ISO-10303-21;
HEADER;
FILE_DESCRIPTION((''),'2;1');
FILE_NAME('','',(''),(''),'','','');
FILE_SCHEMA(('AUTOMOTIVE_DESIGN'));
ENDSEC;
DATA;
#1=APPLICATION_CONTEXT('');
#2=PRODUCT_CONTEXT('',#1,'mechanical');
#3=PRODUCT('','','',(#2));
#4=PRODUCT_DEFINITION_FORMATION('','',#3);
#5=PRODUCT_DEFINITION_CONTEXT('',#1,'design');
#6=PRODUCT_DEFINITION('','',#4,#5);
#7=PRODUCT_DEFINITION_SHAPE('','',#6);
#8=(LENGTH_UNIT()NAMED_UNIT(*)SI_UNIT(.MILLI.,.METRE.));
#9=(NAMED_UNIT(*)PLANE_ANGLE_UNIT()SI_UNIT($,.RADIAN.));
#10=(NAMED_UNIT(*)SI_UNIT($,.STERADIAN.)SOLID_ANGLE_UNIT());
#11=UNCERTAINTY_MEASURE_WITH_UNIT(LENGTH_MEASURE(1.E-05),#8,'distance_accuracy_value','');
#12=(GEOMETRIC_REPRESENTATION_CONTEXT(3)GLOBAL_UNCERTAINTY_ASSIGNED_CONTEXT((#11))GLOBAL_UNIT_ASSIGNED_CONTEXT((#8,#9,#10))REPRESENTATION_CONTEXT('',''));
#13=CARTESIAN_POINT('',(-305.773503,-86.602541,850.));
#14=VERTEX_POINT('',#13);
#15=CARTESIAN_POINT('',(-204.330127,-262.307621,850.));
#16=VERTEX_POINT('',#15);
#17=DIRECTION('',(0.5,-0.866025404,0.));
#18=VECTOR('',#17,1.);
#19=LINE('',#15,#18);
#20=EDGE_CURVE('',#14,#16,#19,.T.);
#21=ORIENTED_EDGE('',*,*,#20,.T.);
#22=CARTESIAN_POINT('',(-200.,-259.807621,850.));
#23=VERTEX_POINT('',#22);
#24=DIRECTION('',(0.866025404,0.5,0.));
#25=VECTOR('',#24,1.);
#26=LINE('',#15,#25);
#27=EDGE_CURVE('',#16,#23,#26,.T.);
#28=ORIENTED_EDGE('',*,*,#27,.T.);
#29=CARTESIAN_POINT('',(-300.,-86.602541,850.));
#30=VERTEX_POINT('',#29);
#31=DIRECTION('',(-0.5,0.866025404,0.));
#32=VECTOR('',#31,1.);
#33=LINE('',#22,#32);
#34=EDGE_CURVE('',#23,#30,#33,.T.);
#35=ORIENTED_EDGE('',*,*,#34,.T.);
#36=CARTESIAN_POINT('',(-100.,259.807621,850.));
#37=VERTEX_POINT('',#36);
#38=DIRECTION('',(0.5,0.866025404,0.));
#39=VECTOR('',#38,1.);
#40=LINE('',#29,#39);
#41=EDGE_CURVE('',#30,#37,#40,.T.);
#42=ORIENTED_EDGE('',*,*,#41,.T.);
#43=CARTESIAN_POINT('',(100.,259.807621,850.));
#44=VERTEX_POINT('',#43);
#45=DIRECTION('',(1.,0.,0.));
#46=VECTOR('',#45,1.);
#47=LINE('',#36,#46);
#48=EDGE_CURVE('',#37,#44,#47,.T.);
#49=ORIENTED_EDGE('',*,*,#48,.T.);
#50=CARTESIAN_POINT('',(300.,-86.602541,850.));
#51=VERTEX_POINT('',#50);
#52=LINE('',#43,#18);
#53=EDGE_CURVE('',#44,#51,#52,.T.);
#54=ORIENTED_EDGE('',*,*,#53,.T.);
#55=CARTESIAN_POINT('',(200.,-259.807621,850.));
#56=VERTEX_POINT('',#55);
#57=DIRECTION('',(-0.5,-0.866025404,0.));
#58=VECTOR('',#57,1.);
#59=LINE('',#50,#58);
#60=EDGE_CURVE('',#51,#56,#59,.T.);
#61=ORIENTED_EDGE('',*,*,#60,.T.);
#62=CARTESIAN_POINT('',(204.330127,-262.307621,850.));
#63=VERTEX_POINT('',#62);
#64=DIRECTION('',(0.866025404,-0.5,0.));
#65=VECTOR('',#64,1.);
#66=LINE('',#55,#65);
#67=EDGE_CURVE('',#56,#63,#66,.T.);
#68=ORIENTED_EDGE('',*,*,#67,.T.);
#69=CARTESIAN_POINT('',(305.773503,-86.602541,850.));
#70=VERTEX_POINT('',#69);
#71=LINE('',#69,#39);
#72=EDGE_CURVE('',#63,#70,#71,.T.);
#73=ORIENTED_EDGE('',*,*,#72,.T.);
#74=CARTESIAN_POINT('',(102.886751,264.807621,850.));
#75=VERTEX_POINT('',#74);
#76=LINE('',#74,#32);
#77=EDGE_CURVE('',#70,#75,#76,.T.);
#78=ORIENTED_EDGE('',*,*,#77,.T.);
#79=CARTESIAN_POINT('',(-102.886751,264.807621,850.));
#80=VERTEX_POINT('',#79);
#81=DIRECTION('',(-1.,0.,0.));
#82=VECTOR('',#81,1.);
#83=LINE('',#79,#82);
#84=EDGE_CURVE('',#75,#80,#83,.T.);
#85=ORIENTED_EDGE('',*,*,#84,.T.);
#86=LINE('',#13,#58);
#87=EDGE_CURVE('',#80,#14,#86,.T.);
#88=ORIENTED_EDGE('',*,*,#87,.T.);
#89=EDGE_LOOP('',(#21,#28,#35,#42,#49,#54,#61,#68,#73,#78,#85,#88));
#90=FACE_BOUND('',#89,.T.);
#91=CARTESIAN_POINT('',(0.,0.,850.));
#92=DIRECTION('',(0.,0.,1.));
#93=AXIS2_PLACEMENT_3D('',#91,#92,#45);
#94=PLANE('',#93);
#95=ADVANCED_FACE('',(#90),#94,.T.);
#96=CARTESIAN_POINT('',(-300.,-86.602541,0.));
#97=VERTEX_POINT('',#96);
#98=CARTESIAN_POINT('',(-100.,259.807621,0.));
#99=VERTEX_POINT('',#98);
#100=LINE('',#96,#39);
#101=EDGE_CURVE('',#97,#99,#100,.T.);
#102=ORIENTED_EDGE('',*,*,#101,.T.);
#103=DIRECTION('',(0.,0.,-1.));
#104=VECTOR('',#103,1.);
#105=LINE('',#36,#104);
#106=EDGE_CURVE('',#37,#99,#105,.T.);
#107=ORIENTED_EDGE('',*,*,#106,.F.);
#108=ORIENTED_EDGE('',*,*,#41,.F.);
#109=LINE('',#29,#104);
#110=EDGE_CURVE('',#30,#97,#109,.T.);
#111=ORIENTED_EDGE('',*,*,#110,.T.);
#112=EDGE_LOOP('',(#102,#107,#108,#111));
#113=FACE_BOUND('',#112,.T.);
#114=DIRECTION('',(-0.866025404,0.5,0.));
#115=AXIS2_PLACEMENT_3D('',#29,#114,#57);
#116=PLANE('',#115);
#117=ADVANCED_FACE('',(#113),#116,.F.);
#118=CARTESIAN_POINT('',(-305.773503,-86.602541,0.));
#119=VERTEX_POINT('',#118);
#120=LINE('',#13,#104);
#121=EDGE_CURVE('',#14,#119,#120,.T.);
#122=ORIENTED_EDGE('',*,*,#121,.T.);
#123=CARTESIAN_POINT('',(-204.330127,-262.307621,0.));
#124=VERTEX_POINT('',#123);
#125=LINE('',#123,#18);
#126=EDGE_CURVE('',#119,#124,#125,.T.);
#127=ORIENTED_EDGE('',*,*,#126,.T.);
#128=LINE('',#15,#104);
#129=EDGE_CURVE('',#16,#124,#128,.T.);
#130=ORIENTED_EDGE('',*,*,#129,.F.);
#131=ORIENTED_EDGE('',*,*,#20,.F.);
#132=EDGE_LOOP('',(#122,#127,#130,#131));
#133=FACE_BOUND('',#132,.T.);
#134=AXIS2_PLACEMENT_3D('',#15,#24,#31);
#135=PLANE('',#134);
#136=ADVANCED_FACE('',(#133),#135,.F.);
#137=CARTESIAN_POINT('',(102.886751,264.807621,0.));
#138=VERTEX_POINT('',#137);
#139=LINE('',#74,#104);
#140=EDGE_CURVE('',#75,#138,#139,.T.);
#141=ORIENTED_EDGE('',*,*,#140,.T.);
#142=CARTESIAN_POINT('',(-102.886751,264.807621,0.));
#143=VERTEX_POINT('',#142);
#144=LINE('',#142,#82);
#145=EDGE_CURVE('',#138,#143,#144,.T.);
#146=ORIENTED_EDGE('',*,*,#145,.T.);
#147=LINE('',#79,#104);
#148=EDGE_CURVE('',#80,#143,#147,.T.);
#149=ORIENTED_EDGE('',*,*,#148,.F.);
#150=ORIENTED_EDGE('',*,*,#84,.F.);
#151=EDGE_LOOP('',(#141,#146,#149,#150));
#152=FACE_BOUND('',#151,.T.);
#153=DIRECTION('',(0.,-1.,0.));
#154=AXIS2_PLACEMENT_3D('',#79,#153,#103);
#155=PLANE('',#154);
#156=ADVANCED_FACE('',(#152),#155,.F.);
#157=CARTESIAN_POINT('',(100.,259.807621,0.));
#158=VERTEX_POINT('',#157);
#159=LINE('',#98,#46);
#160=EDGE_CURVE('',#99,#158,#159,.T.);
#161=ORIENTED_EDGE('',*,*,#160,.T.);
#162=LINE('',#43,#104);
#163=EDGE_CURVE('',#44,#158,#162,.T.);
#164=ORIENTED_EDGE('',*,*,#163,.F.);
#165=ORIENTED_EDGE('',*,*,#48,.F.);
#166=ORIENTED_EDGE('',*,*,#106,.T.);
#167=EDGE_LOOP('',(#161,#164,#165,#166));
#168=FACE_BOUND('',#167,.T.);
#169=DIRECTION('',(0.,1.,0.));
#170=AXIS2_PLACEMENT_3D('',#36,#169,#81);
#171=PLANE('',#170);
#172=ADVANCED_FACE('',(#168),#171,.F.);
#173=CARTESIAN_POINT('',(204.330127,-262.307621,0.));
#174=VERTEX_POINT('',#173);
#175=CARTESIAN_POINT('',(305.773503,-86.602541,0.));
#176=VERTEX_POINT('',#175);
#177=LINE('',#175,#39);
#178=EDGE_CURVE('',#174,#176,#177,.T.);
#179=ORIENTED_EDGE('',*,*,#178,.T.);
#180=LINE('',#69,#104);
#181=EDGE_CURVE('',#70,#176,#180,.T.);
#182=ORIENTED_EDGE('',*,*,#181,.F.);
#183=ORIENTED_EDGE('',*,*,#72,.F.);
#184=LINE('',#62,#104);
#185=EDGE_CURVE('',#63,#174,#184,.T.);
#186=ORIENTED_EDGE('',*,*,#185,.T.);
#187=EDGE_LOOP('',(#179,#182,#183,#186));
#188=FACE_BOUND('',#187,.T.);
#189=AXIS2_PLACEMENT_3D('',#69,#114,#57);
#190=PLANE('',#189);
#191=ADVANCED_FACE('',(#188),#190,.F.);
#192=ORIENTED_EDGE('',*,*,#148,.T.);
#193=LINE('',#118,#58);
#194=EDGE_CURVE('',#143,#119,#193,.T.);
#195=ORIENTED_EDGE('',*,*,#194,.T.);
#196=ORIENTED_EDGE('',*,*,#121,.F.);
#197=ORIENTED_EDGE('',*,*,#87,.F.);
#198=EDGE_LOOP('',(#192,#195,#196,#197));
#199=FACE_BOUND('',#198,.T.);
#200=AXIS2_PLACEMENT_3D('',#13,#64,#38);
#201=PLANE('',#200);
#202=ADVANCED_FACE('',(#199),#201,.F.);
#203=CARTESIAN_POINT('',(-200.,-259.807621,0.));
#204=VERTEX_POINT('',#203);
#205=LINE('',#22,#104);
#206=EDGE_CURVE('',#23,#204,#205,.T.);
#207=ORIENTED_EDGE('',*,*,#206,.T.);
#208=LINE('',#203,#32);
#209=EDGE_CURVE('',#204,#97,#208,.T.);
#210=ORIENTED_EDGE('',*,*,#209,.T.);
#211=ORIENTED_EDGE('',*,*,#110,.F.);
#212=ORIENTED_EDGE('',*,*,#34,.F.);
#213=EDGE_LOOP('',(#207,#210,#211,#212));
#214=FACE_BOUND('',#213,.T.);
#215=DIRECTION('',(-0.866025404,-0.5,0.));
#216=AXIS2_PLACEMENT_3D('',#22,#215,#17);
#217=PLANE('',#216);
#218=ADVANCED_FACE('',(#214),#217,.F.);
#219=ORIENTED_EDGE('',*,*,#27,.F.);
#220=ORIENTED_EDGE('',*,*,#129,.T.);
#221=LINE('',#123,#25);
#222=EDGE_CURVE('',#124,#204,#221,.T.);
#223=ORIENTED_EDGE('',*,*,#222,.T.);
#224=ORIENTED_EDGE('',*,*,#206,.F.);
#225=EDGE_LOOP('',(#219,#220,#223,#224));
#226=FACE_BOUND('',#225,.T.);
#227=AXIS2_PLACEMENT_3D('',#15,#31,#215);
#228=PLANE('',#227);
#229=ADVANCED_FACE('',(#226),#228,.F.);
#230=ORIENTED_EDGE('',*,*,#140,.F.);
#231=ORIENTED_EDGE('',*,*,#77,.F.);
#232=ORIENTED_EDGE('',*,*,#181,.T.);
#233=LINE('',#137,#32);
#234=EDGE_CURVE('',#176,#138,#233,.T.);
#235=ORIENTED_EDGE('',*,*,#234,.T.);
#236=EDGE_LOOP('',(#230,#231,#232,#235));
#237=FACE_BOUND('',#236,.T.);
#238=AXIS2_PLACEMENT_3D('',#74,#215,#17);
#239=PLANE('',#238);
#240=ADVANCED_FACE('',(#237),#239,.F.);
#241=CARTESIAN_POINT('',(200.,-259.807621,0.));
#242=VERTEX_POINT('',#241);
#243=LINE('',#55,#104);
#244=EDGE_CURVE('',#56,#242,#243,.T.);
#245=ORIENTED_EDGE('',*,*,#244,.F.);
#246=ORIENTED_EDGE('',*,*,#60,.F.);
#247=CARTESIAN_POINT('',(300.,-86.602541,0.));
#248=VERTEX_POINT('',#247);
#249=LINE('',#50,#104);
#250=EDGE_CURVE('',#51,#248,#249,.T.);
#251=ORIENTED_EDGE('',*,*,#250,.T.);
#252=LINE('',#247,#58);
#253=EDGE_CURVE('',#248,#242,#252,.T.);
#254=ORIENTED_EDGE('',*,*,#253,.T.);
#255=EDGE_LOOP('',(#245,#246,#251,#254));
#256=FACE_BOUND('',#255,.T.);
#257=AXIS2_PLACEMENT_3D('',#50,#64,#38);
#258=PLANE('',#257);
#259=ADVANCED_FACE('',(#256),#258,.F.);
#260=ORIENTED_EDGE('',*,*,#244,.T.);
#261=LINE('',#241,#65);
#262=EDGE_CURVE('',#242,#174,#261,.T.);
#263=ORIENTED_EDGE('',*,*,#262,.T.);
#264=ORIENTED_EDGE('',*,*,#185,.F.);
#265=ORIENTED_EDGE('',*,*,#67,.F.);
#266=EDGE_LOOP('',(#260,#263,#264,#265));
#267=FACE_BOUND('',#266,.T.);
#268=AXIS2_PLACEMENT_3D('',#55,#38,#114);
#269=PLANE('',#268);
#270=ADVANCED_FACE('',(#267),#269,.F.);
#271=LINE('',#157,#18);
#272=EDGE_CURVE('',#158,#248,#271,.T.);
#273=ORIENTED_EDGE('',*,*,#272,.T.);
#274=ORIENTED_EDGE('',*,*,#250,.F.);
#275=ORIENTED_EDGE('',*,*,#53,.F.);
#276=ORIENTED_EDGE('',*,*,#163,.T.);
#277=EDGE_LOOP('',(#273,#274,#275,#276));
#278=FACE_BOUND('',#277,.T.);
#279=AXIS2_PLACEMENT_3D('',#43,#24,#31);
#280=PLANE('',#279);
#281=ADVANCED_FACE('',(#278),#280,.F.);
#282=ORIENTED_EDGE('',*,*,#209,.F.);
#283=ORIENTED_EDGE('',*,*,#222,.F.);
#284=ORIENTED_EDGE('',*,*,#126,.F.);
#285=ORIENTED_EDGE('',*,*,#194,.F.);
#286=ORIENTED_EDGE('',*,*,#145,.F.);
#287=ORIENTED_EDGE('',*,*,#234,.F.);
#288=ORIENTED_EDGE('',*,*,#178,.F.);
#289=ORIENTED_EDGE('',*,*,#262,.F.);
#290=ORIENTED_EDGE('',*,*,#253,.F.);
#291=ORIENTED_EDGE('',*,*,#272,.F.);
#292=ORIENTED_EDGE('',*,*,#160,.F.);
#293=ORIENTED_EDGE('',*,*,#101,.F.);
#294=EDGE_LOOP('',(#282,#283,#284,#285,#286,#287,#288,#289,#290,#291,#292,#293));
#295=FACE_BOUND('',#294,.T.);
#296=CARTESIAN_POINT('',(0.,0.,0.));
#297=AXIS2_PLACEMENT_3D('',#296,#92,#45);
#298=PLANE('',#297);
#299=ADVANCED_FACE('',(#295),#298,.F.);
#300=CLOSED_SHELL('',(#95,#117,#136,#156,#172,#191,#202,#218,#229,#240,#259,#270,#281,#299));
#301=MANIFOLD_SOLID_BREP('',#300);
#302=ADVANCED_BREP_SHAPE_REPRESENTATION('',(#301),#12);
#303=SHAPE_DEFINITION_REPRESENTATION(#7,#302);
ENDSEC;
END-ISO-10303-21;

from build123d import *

# Parameters (mm, degrees)
BOSS_EXTRUDE1_DEPTH = 850


with BuildPart() as part:
    # Sketch1 → Boss-Extrude1 (new body)
    with BuildSketch(Plane.XY):
        Polygon((-100, 259.807621), (100, 259.807621), (300, -86.602540514), (200, -259.807621271), (204.330127019, -262.307621271), (305.773502692, -86.602540514), (102.886751346, 264.807621), (-102.886751346, 264.807621), (-305.773502692, -86.602540514), (-204.330127019, -262.307621271), (-200, -259.807621271), (-300, -86.602540514), align=None)
    extrude(amount=BOSS_EXTRUDE1_DEPTH)


solid = part.part
